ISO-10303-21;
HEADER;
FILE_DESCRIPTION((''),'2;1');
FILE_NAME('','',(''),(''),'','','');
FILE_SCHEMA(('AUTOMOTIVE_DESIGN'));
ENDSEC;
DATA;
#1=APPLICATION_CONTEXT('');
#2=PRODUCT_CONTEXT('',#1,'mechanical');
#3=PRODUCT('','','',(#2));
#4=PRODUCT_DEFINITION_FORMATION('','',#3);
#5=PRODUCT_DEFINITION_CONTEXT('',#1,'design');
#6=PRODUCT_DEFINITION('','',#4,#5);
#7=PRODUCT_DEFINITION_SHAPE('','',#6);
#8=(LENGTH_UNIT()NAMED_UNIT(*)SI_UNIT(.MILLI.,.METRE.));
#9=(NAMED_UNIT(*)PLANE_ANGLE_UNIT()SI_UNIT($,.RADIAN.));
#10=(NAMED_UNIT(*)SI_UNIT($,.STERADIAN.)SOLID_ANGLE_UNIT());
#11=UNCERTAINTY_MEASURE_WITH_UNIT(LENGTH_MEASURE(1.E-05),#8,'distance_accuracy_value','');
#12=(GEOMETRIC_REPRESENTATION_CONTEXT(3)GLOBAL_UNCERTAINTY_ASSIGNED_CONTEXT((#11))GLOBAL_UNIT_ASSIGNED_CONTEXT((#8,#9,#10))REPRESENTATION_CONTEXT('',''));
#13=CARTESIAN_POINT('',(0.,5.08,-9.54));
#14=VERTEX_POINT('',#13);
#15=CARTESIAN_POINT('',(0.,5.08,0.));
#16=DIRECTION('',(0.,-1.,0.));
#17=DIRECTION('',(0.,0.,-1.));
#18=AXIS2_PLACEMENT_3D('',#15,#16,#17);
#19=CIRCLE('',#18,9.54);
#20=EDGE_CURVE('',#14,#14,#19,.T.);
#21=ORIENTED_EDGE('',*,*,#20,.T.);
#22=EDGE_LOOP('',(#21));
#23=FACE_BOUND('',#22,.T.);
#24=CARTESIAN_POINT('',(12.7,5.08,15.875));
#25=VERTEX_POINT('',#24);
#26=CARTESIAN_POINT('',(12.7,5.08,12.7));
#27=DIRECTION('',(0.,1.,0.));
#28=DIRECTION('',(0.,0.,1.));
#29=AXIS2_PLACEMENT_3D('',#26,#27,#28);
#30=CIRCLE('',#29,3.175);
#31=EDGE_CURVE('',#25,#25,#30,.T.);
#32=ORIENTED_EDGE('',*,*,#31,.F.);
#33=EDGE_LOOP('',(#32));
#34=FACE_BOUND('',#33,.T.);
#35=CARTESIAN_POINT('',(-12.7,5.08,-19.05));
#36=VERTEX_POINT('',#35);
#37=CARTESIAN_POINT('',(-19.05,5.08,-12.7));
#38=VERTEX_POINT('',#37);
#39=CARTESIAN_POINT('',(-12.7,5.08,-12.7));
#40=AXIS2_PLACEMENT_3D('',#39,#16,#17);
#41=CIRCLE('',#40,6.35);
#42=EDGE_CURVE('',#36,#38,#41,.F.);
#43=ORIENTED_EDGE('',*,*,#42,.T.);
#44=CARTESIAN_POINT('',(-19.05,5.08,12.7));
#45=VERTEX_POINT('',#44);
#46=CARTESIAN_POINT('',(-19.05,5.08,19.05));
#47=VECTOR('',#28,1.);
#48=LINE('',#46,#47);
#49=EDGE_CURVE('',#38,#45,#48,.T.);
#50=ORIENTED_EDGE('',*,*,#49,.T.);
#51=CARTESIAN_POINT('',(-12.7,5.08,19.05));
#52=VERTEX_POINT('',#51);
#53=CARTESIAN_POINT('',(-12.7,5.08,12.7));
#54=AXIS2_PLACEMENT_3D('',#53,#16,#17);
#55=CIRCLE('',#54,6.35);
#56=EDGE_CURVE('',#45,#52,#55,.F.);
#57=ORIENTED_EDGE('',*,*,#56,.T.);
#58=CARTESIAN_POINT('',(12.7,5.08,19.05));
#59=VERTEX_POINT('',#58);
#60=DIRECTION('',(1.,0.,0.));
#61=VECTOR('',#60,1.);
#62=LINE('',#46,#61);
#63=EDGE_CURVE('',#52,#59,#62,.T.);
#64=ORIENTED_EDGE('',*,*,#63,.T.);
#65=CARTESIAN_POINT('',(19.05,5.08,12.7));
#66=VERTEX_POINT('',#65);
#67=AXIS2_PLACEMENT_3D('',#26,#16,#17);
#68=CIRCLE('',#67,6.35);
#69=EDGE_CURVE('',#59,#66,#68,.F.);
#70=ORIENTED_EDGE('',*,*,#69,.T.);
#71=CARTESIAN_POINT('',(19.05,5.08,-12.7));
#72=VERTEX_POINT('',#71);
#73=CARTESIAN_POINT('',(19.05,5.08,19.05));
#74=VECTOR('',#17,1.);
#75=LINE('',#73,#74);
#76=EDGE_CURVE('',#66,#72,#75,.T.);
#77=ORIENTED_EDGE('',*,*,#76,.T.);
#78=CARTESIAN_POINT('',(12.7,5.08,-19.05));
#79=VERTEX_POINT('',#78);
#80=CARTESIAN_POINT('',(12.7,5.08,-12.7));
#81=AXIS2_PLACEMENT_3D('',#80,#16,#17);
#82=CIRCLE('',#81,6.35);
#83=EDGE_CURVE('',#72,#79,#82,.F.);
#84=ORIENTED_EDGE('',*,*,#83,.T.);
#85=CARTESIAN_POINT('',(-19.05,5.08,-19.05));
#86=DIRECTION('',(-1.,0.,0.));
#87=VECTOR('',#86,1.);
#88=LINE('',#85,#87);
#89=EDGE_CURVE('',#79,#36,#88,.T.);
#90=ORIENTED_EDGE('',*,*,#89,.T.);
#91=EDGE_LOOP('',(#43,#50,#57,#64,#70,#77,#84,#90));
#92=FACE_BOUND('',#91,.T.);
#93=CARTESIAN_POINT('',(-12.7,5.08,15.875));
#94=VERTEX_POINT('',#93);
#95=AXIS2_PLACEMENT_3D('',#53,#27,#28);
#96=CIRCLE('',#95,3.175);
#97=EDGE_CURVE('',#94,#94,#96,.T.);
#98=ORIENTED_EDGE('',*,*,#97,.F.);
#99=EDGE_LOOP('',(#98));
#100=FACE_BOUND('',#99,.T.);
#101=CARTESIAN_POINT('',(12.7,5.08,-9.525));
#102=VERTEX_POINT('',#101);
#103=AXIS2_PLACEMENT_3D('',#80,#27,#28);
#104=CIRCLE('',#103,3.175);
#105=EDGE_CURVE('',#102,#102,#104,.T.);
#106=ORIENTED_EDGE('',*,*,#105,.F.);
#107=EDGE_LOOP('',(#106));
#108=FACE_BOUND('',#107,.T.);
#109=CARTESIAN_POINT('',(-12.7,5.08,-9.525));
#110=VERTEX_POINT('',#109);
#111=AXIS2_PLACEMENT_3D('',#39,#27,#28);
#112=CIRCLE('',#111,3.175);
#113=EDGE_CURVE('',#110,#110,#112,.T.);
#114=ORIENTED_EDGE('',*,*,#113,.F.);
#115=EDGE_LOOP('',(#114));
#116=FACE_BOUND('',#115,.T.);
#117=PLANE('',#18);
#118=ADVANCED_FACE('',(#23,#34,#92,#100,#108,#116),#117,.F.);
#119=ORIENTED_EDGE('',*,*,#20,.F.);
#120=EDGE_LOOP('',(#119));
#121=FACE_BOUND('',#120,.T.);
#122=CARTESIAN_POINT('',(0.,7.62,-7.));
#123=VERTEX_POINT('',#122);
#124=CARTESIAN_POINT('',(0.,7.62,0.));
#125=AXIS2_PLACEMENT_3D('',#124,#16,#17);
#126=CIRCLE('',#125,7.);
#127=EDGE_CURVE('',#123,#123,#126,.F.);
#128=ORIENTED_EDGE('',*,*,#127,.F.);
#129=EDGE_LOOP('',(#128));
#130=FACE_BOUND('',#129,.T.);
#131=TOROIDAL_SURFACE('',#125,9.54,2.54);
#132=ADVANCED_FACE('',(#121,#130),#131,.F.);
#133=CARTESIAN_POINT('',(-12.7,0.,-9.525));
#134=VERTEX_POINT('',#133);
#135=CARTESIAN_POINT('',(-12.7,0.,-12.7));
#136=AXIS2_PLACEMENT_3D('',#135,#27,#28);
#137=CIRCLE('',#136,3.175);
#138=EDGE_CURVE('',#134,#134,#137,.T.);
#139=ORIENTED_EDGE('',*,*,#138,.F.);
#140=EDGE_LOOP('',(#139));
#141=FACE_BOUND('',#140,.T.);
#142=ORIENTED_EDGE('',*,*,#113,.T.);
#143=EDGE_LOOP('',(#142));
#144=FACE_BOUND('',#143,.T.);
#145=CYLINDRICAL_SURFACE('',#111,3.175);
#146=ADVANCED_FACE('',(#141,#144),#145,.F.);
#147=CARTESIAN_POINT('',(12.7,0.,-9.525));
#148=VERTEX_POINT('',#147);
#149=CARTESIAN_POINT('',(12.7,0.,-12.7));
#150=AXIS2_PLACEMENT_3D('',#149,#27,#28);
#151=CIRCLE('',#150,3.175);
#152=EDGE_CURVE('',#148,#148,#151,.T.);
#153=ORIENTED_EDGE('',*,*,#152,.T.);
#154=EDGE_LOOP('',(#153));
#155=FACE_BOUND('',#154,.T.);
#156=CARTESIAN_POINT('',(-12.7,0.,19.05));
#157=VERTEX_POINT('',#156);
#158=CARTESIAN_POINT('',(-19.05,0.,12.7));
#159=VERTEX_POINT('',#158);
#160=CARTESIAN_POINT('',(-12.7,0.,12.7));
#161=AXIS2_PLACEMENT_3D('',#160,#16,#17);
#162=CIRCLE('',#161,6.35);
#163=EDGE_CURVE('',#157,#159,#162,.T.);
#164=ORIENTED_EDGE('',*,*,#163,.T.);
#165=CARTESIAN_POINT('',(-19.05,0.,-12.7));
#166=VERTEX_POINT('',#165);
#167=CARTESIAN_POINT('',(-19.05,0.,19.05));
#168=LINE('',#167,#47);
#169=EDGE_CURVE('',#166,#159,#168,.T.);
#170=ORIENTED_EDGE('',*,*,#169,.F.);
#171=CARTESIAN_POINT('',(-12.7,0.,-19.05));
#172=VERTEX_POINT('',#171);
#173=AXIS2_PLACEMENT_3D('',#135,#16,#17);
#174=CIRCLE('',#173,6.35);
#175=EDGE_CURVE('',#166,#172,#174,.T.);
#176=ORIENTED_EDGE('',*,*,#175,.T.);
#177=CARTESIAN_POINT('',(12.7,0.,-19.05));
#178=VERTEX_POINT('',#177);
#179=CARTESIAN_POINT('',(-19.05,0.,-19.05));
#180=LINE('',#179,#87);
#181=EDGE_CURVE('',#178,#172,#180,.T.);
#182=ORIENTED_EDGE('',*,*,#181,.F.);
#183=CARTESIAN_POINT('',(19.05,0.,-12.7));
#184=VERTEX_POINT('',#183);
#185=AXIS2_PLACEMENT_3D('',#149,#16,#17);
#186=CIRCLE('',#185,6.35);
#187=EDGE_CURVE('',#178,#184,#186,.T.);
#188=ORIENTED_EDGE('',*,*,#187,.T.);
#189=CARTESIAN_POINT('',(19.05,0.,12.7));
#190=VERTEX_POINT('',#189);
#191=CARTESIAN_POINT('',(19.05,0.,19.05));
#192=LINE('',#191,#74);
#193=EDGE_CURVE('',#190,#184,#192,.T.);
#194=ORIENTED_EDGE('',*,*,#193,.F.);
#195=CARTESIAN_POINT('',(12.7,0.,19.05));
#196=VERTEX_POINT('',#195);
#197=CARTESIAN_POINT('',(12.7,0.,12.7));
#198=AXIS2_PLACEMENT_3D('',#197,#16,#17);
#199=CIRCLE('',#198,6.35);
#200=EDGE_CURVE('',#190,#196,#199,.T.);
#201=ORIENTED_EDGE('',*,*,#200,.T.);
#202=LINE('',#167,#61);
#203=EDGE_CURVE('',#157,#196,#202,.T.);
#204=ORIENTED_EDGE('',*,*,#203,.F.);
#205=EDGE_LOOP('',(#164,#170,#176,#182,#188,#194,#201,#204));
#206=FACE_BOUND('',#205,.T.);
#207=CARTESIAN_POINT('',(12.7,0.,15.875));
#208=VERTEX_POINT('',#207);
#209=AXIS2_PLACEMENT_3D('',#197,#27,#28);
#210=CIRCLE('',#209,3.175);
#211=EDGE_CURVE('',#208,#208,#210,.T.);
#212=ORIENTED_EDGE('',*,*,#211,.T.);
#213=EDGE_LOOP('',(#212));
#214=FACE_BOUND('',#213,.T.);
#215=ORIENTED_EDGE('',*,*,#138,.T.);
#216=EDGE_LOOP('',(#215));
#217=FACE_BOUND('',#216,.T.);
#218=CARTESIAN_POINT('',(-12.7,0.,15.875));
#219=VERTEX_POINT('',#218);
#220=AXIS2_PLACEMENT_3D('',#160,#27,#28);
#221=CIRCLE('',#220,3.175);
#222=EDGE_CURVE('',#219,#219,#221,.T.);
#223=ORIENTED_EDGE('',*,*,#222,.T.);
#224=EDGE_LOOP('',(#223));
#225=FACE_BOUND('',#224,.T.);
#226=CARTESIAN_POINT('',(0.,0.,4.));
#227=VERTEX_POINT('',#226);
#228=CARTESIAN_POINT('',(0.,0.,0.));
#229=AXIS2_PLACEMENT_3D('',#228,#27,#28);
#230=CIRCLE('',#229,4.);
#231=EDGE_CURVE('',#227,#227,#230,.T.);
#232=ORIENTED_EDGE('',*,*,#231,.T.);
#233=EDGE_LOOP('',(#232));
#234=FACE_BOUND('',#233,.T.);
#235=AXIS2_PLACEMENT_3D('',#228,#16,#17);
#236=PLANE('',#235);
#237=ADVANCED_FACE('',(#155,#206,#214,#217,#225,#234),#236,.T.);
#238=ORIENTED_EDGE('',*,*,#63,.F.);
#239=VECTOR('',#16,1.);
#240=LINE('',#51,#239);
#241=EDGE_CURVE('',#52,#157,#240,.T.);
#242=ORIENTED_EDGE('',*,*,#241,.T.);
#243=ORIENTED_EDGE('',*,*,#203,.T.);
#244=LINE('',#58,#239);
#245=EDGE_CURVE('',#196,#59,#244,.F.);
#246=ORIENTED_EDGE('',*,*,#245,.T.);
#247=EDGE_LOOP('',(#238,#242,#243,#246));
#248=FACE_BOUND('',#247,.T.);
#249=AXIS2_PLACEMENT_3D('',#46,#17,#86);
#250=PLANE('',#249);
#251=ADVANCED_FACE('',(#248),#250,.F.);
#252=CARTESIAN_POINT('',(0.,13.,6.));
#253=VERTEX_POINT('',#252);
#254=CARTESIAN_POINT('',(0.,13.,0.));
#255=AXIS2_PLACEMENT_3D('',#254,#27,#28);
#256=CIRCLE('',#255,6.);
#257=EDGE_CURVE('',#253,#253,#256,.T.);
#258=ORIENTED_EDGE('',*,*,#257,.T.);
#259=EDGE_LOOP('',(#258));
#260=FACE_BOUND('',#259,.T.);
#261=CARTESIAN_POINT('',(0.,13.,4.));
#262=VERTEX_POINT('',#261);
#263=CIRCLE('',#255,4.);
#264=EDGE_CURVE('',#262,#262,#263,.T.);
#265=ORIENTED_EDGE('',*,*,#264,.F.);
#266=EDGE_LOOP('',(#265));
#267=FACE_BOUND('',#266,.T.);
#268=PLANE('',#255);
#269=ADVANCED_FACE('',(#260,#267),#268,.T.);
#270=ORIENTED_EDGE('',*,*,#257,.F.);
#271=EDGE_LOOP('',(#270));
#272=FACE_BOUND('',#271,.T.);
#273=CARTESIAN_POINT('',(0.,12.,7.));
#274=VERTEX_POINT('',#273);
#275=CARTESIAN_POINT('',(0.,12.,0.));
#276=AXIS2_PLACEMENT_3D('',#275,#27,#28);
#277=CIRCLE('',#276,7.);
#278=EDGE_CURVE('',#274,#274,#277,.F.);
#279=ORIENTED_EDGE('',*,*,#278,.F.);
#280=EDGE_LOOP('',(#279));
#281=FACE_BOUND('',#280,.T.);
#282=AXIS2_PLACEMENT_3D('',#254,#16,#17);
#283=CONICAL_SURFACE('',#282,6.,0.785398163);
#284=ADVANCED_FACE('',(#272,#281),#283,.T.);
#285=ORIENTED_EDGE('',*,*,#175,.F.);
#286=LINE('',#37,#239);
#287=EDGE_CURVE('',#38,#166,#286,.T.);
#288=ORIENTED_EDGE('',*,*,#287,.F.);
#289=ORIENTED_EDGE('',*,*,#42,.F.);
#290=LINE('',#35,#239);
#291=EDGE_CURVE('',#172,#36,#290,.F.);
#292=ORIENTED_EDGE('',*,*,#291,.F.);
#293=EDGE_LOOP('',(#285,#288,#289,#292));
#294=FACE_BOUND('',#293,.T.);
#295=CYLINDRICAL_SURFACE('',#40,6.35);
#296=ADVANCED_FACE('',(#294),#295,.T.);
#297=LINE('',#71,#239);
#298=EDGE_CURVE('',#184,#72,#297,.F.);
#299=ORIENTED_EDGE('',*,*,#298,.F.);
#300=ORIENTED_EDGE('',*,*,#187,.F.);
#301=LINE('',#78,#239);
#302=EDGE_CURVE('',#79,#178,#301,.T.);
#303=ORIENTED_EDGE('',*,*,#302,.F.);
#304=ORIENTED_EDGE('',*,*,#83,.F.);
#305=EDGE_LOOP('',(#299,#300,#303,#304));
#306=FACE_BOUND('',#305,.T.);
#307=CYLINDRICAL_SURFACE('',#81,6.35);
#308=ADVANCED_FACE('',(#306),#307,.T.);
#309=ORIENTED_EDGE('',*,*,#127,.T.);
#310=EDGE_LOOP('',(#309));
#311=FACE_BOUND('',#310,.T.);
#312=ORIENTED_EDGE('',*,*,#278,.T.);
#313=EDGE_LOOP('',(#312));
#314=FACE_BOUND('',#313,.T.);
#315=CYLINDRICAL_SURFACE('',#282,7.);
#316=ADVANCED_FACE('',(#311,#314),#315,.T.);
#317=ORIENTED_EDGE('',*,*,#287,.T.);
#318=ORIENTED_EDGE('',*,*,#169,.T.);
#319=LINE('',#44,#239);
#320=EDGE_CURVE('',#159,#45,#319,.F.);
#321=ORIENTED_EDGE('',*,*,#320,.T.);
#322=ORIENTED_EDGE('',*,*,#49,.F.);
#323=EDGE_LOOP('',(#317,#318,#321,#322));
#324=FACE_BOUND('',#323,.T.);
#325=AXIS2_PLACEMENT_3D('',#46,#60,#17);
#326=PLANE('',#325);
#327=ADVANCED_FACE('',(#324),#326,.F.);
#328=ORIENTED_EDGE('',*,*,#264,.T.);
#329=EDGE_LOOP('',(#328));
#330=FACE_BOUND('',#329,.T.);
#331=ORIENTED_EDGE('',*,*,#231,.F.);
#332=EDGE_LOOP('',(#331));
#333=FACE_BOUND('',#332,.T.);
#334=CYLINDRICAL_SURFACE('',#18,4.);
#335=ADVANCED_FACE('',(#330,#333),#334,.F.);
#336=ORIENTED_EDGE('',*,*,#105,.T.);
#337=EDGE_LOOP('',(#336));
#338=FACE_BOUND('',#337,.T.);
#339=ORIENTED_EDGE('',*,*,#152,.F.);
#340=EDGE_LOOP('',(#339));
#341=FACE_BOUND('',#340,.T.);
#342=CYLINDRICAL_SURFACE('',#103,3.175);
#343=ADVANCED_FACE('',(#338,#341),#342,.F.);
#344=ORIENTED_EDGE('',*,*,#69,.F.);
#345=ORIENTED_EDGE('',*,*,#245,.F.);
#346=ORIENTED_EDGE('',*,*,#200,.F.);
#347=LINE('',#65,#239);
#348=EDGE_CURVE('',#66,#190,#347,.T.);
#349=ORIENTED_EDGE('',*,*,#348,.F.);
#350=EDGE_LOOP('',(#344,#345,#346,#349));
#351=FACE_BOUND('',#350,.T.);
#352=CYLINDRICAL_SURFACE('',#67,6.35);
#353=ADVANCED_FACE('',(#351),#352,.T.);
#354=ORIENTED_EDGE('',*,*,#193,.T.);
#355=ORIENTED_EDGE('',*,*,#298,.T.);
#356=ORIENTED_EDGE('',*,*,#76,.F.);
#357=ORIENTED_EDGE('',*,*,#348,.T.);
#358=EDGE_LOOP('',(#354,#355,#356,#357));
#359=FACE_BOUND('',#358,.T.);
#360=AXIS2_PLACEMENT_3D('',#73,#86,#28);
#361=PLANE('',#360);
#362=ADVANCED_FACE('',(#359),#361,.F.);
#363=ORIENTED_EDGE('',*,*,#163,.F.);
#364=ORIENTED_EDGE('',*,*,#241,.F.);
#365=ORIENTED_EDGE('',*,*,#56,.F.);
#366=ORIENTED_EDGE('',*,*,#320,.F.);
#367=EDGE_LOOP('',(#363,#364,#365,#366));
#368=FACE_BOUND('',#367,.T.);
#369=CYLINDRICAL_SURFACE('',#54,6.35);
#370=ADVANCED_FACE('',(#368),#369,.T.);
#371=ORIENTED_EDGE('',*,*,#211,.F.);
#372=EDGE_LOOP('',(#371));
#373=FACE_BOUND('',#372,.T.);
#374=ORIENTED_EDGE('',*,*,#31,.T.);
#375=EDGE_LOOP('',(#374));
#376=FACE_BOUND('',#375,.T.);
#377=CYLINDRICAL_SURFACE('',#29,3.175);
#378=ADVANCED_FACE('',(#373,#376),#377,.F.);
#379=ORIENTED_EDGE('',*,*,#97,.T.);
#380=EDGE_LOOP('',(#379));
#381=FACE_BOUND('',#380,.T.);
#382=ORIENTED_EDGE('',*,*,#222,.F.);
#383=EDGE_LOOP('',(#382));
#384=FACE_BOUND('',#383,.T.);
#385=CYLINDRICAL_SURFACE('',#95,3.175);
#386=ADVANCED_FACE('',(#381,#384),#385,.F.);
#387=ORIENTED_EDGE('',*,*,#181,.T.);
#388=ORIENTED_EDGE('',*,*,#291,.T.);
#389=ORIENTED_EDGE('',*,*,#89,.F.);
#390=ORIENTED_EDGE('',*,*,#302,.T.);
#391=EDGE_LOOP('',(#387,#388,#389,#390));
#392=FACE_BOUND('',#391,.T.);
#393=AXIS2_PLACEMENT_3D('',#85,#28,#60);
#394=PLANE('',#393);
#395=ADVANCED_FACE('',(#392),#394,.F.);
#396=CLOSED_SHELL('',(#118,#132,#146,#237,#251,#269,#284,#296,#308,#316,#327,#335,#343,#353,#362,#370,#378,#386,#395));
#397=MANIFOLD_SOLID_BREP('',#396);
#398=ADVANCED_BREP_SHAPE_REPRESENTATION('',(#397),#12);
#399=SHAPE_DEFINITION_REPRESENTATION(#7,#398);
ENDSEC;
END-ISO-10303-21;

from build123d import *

# Parameters (mm, degrees)
SKETCH1_W                   = 38.1
SKETCH1_H                   = 38.1
SKETCH1_R                   = 4
BOSS_EXTRUDE1_DEPTH         = 5.08
F_1_4_0_25_DIAMETER_HOLE1_D = 6.35
SKETCH5_R                   = 7
SKETCH5_R_2                 = 4
BOSS_EXTRUDE2_DEPTH         = 7.92
FILLET1_R                   = 2.54
CHAMFER1_SIZE               = 1
FILLET2_R                   = 6.35


with BuildPart() as part:
    # Sketch1 → Boss-Extrude1 (new body)
    with BuildSketch(Plane(origin=(0, 0, 0), x_dir=(1, 0, 0), z_dir=(0, 1, 0))):
        Rectangle(SKETCH1_W, SKETCH1_H)
        Circle(SKETCH1_R, mode=Mode.SUBTRACT)
    extrude(amount=BOSS_EXTRUDE1_DEPTH)

    # 1/4 (0.25) Diameter Hole1 (through all)
    with Locations(Plane(origin=(0, 5.08, 0), x_dir=(1, 0, 0), z_dir=(0, 1, 0))):
        with Locations((-12.7, 12.7), (12.7, 12.7), (12.7, -12.7), (-12.7, -12.7)):
            Hole(F_1_4_0_25_DIAMETER_HOLE1_D / 2)

    # Sketch5 → Boss-Extrude2 (add)
    with BuildSketch(Plane(origin=(0, 5.08, 0), x_dir=(1, 0, 0), z_dir=(0, 1, 0))):
        Circle(SKETCH5_R)
        Circle(SKETCH5_R_2, mode=Mode.SUBTRACT)
    extrude(amount=BOSS_EXTRUDE2_DEPTH)

    # Fillet1
    fillet1_edges = [part.edges().sort_by_distance(p)[0] for p in [
        (-7, 5.08, 0),
    ]]
    fillet(fillet1_edges, radius=FILLET1_R)

    # Chamfer1
    chamfer1_edges = [part.edges().sort_by_distance(p)[0] for p in [
        (-7, 13, 0),
    ]]
    chamfer(chamfer1_edges, length=CHAMFER1_SIZE)

    # Fillet2
    fillet2_edges = [part.edges().sort_by_distance(p)[0] for p in [
        (19.05, 2.54, 19.05),
        (-19.05, 2.54, 19.05),
        (-19.05, 2.54, -19.05),
        (19.05, 2.54, -19.05),
    ]]
    fillet(fillet2_edges, radius=FILLET2_R)


solid = part.part
